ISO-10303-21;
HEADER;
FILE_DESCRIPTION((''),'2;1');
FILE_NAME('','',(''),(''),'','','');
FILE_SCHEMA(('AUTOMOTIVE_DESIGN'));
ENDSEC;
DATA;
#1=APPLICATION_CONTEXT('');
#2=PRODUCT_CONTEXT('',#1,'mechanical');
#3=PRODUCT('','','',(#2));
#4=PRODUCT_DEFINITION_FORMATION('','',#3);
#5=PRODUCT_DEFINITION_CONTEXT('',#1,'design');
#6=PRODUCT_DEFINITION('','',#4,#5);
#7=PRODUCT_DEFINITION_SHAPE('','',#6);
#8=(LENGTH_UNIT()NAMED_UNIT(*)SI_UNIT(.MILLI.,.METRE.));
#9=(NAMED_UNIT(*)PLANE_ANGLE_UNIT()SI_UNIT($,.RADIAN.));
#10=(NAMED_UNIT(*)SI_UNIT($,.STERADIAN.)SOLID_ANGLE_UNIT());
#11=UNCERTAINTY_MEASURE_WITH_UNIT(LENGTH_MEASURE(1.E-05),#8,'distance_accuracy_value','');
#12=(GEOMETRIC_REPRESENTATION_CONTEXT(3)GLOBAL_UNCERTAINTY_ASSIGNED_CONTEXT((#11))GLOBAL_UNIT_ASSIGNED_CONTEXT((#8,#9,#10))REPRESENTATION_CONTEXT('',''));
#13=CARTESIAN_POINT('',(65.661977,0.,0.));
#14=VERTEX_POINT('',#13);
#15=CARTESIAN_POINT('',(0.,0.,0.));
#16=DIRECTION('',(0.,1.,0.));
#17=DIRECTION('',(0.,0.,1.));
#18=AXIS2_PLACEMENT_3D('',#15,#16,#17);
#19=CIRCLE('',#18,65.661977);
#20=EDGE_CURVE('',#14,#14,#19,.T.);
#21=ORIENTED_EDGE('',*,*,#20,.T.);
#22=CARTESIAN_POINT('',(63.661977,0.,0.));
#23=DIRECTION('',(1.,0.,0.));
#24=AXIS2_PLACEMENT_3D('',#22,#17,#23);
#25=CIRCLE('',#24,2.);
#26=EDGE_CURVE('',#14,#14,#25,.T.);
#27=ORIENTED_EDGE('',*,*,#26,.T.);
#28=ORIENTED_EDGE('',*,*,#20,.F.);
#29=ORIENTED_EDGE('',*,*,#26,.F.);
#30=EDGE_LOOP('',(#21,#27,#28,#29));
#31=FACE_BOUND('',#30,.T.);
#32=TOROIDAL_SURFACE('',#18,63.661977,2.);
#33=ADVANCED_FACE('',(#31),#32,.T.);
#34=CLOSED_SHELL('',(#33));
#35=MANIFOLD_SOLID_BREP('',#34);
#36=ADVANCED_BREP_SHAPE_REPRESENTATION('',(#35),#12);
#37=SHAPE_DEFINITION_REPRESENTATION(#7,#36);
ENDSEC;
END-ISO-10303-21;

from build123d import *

# Parameters (mm, degrees)
SKETCH_2_R = 2


with BuildPart() as part:
    # ｽｲｰﾌﾟ1: sweep along a path in ｽｹｯﾁ1
    with BuildLine(Plane(origin=(0, 0, 0), x_dir=(1, 0, 0), z_dir=(0, 1, 0))) as sweep_1_path:
        CenterArc((0, 0), 63.66197725, 0, 360)
    # ｽｹｯﾁ2 → ｽｲｰﾌﾟ1 (sweep)
    with BuildSketch(Plane.XY):
        with Locations((63.66197725, 0)):
            Circle(SKETCH_2_R)
    sweep(path=sweep_1_path.line)


solid = part.part
